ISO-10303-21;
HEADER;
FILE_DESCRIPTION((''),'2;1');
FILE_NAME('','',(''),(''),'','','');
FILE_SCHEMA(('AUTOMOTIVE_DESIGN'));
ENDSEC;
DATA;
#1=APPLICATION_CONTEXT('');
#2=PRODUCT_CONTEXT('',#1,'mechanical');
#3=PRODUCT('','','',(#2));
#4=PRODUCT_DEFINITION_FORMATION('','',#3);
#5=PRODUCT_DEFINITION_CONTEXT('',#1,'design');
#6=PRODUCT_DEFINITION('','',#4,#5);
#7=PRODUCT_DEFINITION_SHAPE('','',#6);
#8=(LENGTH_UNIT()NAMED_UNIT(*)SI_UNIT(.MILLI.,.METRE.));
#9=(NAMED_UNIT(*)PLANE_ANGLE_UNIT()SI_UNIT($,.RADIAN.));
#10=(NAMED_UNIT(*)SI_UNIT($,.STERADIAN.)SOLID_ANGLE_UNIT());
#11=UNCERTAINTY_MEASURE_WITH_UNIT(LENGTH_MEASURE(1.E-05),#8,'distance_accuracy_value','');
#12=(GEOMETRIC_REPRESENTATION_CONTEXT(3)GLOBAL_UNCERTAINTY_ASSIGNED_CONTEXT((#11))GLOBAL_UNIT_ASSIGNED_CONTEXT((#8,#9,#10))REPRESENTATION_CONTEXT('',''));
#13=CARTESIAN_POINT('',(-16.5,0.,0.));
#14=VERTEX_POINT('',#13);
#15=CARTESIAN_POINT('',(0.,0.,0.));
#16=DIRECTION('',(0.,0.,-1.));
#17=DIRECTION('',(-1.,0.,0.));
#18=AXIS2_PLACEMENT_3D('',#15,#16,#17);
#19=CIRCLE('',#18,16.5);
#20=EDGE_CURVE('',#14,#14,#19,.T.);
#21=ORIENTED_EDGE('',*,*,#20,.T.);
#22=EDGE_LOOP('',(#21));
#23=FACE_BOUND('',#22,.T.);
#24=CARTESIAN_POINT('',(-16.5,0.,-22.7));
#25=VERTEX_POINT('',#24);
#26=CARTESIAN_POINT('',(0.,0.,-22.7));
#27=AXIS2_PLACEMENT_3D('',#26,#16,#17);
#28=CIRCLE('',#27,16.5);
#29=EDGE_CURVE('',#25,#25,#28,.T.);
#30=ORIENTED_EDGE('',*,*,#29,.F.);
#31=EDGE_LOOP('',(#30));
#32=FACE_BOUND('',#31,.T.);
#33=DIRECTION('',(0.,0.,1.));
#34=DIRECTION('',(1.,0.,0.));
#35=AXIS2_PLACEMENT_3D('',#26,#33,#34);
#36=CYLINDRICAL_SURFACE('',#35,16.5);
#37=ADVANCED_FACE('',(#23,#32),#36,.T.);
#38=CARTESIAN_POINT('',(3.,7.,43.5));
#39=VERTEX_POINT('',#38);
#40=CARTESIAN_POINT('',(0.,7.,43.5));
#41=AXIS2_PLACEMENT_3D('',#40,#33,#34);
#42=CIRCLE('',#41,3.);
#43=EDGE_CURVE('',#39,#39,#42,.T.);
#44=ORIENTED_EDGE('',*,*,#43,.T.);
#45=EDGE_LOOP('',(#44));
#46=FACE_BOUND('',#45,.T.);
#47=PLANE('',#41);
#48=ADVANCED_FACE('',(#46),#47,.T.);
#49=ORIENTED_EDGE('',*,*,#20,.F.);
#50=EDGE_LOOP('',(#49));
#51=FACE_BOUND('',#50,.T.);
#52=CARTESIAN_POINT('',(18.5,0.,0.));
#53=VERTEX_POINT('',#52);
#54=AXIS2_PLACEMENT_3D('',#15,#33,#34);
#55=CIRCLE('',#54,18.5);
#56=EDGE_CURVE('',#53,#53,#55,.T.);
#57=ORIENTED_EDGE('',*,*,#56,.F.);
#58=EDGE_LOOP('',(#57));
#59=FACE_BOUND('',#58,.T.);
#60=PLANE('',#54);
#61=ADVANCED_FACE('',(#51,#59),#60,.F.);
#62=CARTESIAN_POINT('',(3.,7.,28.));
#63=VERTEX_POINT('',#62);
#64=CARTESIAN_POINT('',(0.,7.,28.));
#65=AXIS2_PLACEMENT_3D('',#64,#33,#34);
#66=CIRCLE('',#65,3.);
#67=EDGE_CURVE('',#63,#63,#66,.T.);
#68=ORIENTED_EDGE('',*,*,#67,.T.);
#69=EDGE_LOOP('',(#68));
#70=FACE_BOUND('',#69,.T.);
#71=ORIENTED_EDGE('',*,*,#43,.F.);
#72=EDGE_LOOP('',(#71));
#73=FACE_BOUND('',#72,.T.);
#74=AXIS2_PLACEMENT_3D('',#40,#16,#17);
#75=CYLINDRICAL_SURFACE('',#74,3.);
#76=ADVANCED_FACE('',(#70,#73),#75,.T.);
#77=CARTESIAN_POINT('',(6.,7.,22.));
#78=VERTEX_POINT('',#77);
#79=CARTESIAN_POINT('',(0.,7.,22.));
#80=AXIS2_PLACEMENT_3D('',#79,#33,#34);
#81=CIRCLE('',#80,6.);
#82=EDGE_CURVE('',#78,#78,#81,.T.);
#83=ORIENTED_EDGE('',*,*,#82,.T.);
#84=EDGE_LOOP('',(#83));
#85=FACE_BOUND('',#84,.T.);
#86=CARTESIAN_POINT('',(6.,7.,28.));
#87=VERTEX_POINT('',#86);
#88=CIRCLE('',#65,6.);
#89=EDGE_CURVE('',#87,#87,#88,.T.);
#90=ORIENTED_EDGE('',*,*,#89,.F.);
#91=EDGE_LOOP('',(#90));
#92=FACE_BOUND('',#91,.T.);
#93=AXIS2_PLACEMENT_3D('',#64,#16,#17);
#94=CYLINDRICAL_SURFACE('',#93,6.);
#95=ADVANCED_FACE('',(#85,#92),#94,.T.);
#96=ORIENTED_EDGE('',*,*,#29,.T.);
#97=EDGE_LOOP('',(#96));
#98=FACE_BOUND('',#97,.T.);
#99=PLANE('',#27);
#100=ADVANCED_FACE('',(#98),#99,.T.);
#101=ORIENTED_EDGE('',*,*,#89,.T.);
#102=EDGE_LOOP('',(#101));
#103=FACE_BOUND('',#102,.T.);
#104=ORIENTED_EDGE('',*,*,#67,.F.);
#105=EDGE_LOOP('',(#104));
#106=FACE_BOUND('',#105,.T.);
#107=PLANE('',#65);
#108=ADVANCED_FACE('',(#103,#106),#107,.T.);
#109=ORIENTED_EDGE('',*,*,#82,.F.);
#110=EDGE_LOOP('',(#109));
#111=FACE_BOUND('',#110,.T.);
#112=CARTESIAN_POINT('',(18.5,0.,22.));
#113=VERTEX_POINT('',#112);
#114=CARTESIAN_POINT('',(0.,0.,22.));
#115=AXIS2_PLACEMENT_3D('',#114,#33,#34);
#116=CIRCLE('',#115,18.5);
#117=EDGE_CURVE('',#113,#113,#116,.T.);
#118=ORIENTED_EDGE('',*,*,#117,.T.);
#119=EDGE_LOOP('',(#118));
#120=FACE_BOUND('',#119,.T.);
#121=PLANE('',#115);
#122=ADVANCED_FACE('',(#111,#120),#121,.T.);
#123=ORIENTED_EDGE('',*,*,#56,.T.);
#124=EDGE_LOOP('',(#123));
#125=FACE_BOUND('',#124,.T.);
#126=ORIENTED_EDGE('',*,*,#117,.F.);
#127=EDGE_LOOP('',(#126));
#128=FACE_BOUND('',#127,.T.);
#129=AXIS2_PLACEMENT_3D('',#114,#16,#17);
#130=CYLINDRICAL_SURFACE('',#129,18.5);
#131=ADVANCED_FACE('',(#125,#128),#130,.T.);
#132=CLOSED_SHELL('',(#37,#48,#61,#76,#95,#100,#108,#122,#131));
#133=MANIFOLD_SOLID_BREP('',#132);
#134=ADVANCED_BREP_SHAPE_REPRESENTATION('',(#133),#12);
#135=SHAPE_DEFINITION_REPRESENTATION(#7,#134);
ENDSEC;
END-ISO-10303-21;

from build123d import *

# Parameters (mm, degrees)
SKETCH1_R           = 18.5
BOSS_EXTRUDE1_DEPTH = 22
SKETCH2_R           = 6
BOSS_EXTRUDE2_DEPTH = 6
SKETCH3_R           = 3
BOSS_EXTRUDE3_DEPTH = 15.5
SKETCH4_R           = 16.5
BOSS_EXTRUDE4_DEPTH = 22.7


with BuildPart() as part:
    # Sketch1 → Boss-Extrude1 (new body)
    with BuildSketch(Plane.XY):
        Circle(SKETCH1_R)
    extrude(amount=BOSS_EXTRUDE1_DEPTH)

    # Sketch2 → Boss-Extrude2 (add)
    with BuildSketch(Plane.XY.offset(22)):
        with Locations((0, 7)):
            Circle(SKETCH2_R)
    extrude(amount=BOSS_EXTRUDE2_DEPTH)

    # Sketch3 → Boss-Extrude3 (add)
    with BuildSketch(Plane.XY.offset(28)):
        with Locations((0, 7)):
            Circle(SKETCH3_R)
    extrude(amount=BOSS_EXTRUDE3_DEPTH)

    # Sketch4 → Boss-Extrude4 (add)
    with BuildSketch(Plane(origin=(0, 0, 0), x_dir=(-1, 0, 0), z_dir=(0, 0, -1))):
        Circle(SKETCH4_R)
    extrude(amount=BOSS_EXTRUDE4_DEPTH)


solid = part.part
